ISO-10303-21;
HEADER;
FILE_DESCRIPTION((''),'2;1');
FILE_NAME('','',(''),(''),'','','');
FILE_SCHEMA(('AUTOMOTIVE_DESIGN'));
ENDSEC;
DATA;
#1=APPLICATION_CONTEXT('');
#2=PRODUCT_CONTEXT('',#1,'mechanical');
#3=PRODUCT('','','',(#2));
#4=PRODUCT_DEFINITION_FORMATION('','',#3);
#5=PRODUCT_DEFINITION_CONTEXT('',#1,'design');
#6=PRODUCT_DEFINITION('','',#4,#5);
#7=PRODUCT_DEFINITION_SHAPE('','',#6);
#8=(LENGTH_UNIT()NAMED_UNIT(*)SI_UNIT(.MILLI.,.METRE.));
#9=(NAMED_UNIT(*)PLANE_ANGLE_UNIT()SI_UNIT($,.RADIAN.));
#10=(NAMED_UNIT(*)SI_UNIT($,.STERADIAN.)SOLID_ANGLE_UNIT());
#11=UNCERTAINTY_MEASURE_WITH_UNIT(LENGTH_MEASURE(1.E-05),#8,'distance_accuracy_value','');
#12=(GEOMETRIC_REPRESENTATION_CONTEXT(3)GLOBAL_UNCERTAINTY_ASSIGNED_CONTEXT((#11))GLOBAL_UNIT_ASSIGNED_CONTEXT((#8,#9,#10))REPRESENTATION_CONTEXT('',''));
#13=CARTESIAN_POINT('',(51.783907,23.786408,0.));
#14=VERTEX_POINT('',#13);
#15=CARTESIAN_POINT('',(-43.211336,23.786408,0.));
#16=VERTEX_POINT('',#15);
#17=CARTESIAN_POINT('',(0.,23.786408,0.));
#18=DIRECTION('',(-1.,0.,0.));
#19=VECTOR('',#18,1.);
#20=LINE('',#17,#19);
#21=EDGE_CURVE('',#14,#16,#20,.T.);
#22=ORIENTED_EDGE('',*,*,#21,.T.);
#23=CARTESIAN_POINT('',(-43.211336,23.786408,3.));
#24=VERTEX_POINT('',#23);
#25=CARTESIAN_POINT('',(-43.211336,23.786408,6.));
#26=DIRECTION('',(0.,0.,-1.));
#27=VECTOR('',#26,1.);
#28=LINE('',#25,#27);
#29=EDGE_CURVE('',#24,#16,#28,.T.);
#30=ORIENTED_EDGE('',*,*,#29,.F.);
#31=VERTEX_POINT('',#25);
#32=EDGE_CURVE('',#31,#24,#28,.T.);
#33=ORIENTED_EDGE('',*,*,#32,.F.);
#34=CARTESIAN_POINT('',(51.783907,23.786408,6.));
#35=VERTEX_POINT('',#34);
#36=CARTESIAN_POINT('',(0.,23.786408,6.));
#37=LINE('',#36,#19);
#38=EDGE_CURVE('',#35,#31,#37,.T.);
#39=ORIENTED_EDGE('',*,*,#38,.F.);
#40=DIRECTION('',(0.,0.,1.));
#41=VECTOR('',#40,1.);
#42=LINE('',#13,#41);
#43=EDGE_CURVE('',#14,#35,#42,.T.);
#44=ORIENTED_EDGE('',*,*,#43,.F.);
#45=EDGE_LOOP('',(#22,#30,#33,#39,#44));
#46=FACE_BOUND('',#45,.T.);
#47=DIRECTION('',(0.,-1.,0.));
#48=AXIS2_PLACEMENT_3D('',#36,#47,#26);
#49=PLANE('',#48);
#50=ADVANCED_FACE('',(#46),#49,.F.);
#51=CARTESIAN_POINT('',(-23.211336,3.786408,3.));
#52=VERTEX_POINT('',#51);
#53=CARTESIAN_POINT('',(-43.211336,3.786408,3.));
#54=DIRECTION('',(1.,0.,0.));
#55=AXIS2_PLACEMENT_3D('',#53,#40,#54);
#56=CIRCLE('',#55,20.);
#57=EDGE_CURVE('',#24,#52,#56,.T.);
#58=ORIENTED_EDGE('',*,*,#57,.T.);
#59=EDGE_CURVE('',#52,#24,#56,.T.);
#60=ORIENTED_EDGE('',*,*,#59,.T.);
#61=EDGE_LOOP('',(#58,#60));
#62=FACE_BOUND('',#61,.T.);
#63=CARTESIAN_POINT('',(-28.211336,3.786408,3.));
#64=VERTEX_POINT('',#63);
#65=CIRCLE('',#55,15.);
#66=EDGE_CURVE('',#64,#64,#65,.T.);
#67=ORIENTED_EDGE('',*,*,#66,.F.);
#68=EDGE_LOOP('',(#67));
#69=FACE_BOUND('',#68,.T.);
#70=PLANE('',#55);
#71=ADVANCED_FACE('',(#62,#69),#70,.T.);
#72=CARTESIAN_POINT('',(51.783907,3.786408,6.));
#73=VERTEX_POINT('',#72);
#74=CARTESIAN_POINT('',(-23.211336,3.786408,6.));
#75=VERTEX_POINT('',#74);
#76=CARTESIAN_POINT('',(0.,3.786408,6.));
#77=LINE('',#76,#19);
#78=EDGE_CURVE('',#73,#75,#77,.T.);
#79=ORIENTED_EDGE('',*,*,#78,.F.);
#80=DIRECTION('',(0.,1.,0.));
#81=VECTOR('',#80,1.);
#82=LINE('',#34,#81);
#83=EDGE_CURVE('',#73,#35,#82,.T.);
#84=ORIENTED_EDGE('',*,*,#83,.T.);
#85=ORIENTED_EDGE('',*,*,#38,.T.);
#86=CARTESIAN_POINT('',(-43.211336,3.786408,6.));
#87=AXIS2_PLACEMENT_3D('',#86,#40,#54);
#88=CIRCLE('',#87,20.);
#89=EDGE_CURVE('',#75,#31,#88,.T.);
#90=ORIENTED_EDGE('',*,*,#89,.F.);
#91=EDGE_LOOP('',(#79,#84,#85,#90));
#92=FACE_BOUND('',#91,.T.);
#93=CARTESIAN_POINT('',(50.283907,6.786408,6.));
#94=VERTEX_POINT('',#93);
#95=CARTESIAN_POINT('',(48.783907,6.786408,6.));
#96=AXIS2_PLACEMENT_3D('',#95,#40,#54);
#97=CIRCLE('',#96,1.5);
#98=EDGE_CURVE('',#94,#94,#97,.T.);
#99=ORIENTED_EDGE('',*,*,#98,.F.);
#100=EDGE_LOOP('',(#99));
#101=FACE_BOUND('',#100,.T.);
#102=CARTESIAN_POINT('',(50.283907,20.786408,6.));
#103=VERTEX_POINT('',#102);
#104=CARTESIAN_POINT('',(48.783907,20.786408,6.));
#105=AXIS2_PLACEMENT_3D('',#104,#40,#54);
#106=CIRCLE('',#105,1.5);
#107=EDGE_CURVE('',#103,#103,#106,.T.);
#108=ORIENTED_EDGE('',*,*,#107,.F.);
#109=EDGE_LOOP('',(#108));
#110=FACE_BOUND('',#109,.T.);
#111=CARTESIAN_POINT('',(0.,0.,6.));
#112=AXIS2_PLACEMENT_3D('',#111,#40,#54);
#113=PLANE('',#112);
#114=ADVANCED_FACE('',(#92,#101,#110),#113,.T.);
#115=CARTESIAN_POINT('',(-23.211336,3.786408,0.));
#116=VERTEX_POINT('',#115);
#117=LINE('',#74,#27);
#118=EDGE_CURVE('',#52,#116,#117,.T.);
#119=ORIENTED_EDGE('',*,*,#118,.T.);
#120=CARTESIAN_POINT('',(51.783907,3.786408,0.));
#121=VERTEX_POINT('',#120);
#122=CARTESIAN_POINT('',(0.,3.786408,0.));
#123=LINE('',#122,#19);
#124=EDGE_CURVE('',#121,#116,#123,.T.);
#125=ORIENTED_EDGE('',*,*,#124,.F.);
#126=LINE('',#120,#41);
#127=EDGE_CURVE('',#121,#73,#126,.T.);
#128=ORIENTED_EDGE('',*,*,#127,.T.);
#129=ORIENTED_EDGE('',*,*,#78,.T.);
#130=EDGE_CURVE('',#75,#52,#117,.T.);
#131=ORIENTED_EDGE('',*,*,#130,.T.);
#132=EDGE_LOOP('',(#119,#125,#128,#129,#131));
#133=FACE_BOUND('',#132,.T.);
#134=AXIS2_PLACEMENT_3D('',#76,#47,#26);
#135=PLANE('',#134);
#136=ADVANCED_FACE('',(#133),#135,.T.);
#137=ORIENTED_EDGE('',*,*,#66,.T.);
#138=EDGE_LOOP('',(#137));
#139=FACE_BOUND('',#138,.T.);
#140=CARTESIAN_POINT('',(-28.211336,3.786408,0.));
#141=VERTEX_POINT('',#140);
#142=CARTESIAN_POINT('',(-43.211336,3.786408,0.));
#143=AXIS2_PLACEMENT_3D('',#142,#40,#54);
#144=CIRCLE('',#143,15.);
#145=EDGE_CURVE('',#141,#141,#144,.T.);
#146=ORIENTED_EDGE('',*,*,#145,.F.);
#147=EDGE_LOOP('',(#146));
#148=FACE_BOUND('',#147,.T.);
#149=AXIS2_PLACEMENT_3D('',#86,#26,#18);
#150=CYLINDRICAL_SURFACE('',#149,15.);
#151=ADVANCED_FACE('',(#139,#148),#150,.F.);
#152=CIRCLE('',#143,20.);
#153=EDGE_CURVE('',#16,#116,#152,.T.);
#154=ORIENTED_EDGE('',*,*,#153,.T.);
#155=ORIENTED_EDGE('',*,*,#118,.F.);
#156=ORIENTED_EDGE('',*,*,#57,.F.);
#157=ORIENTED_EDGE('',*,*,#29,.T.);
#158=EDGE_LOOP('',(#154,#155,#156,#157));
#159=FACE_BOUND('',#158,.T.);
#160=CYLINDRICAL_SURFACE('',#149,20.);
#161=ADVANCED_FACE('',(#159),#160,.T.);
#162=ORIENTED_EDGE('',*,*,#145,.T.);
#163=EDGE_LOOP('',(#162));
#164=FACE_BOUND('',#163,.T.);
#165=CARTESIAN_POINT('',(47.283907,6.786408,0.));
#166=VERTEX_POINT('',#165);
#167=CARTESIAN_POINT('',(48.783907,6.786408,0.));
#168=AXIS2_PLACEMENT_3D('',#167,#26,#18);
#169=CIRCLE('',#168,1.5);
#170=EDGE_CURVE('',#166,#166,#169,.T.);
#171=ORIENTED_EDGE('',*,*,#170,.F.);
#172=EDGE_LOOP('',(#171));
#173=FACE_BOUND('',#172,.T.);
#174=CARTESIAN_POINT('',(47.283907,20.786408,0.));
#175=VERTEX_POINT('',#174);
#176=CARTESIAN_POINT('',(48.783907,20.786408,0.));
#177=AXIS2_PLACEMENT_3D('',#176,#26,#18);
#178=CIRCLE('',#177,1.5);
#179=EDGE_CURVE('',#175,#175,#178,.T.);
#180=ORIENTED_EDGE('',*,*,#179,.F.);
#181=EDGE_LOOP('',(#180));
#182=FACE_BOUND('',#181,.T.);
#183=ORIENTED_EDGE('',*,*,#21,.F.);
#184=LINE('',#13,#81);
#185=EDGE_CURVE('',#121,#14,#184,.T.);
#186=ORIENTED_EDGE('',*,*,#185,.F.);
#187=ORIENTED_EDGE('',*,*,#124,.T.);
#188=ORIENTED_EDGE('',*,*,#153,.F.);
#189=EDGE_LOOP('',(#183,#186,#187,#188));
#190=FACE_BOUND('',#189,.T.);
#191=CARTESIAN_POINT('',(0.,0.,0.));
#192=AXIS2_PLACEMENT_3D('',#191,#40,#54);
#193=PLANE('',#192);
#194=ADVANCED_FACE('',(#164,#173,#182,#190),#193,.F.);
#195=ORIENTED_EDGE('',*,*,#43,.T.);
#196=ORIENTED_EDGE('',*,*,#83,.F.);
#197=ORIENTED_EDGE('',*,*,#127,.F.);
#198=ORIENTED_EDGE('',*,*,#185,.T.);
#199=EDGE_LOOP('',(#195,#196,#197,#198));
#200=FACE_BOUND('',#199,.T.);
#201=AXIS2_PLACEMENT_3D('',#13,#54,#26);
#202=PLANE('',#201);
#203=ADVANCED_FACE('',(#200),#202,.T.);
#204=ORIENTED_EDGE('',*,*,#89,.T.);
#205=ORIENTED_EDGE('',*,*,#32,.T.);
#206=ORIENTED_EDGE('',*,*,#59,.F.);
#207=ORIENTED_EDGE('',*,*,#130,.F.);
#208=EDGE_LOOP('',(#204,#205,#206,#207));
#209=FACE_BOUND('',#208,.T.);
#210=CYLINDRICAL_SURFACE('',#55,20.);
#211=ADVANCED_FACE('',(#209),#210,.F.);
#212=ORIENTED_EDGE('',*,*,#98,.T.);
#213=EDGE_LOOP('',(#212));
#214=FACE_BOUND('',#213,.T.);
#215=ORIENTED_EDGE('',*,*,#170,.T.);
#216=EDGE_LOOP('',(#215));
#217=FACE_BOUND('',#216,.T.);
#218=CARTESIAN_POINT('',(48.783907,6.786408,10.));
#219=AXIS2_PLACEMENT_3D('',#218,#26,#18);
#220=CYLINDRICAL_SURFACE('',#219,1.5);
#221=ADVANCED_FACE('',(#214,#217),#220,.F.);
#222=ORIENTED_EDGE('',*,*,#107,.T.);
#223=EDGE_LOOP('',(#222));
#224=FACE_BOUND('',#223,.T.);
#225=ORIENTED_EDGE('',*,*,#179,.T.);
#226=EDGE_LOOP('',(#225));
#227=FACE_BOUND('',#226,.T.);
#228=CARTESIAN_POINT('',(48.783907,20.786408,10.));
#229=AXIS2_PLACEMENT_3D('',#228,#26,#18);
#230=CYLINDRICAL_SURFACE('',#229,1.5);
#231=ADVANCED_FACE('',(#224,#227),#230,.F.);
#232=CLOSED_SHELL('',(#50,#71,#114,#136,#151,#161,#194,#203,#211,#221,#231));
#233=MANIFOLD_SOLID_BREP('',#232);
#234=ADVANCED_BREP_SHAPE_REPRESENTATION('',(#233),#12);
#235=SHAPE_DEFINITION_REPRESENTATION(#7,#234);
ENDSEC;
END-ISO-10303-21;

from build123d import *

# Parameters (mm, degrees)
BOSS_EXTRU_1_DEPTH      = 6
ESQUISSE2_R             = 20
ESQUISSE2_R_2           = 15
ENL_V_MAT_EXTRU_1_DEPTH = 3
ESQUISSE3_W             = 9.17
ESQUISSE3_H             = 20
BOSS_EXTRU_2_DEPTH      = 6
ESQUISSE4_R             = 1.5
ENL_V_MAT_EXTRU_2_DEPTH = 10


with BuildPart() as part:
    # Esquisse1 → Boss.-Extru.1 (new body)
    with BuildSketch(Plane.XY):
        with BuildLine():
            Line((42.613906887, 3.786407767), (42.613906887, 23.786407767))
            Line((42.613906887, 23.786407767), (-43.211335831, 23.786407767))
            ThreePointArc((-43.211335831, 23.786407767), (-29.069200208, 17.928543391), (-23.211335831, 3.786407767))
            Line((-23.211335831, 3.786407767), (42.613906887, 3.786407767))
        make_face()
        with BuildLine():
            ThreePointArc((-23.211335831, 3.786407767), (-29.069200208, 17.928543391), (-43.211335831, 23.786407767))
            Line((-43.211335831, 23.786407767), (-43.211335831, 18.786407767))
            ThreePointArc((-43.211335831, 18.786407767), (-32.604734113, 14.393009485), (-28.211335831, 3.786407767))
            Line((-28.211335831, 3.786407767), (-23.211335831, 3.786407767))
        make_face()
        with BuildLine():
            Line((-43.211335831, 18.786407767), (-43.211335831, 23.786407767))
            ThreePointArc((-43.211335831, 23.786407767), (-57.353471455, -10.355727857), (-23.211335831, 3.786407767))
            Line((-23.211335831, 3.786407767), (-28.211335831, 3.786407767))
            ThreePointArc((-28.211335831, 3.786407767), (-53.817937549, -6.820193951), (-43.211335831, 18.786407767))
        make_face()
    extrude(amount=BOSS_EXTRU_1_DEPTH)

    # Esquisse2 → Enlèv. mat.-Extru.1 (cut)
    with BuildSketch(Plane.XY.offset(6)):
        with Locations((-43.211335831, 3.786407767)):
            Circle(ESQUISSE2_R)
        with Locations((-43.211335831, 3.786407767)):
            Circle(ESQUISSE2_R_2, mode=Mode.SUBTRACT)
    extrude(amount=-ENL_V_MAT_EXTRU_1_DEPTH, mode=Mode.SUBTRACT)

    # Esquisse3 → Boss.-Extru.2 (add)
    with BuildSketch(Plane.XY.offset(6)):
        with Locations((47.198906887, 13.786407767)):
            Rectangle(ESQUISSE3_W, ESQUISSE3_H)
    extrude(amount=-BOSS_EXTRU_2_DEPTH)

    # Esquisse4 → Enlèv. mat.-Extru.2 (cut)
    with BuildSketch(Plane(origin=(0, 0, 0), x_dir=(-1, 0, 0), z_dir=(0, 0, -1))):
        with Locations((-48.783906887, 20.786407767)):
            Circle(ESQUISSE4_R)
        with Locations((-48.783906887, 6.786407767)):
            Circle(ESQUISSE4_R)
    extrude(amount=-ENL_V_MAT_EXTRU_2_DEPTH, mode=Mode.SUBTRACT)


solid = part.part
